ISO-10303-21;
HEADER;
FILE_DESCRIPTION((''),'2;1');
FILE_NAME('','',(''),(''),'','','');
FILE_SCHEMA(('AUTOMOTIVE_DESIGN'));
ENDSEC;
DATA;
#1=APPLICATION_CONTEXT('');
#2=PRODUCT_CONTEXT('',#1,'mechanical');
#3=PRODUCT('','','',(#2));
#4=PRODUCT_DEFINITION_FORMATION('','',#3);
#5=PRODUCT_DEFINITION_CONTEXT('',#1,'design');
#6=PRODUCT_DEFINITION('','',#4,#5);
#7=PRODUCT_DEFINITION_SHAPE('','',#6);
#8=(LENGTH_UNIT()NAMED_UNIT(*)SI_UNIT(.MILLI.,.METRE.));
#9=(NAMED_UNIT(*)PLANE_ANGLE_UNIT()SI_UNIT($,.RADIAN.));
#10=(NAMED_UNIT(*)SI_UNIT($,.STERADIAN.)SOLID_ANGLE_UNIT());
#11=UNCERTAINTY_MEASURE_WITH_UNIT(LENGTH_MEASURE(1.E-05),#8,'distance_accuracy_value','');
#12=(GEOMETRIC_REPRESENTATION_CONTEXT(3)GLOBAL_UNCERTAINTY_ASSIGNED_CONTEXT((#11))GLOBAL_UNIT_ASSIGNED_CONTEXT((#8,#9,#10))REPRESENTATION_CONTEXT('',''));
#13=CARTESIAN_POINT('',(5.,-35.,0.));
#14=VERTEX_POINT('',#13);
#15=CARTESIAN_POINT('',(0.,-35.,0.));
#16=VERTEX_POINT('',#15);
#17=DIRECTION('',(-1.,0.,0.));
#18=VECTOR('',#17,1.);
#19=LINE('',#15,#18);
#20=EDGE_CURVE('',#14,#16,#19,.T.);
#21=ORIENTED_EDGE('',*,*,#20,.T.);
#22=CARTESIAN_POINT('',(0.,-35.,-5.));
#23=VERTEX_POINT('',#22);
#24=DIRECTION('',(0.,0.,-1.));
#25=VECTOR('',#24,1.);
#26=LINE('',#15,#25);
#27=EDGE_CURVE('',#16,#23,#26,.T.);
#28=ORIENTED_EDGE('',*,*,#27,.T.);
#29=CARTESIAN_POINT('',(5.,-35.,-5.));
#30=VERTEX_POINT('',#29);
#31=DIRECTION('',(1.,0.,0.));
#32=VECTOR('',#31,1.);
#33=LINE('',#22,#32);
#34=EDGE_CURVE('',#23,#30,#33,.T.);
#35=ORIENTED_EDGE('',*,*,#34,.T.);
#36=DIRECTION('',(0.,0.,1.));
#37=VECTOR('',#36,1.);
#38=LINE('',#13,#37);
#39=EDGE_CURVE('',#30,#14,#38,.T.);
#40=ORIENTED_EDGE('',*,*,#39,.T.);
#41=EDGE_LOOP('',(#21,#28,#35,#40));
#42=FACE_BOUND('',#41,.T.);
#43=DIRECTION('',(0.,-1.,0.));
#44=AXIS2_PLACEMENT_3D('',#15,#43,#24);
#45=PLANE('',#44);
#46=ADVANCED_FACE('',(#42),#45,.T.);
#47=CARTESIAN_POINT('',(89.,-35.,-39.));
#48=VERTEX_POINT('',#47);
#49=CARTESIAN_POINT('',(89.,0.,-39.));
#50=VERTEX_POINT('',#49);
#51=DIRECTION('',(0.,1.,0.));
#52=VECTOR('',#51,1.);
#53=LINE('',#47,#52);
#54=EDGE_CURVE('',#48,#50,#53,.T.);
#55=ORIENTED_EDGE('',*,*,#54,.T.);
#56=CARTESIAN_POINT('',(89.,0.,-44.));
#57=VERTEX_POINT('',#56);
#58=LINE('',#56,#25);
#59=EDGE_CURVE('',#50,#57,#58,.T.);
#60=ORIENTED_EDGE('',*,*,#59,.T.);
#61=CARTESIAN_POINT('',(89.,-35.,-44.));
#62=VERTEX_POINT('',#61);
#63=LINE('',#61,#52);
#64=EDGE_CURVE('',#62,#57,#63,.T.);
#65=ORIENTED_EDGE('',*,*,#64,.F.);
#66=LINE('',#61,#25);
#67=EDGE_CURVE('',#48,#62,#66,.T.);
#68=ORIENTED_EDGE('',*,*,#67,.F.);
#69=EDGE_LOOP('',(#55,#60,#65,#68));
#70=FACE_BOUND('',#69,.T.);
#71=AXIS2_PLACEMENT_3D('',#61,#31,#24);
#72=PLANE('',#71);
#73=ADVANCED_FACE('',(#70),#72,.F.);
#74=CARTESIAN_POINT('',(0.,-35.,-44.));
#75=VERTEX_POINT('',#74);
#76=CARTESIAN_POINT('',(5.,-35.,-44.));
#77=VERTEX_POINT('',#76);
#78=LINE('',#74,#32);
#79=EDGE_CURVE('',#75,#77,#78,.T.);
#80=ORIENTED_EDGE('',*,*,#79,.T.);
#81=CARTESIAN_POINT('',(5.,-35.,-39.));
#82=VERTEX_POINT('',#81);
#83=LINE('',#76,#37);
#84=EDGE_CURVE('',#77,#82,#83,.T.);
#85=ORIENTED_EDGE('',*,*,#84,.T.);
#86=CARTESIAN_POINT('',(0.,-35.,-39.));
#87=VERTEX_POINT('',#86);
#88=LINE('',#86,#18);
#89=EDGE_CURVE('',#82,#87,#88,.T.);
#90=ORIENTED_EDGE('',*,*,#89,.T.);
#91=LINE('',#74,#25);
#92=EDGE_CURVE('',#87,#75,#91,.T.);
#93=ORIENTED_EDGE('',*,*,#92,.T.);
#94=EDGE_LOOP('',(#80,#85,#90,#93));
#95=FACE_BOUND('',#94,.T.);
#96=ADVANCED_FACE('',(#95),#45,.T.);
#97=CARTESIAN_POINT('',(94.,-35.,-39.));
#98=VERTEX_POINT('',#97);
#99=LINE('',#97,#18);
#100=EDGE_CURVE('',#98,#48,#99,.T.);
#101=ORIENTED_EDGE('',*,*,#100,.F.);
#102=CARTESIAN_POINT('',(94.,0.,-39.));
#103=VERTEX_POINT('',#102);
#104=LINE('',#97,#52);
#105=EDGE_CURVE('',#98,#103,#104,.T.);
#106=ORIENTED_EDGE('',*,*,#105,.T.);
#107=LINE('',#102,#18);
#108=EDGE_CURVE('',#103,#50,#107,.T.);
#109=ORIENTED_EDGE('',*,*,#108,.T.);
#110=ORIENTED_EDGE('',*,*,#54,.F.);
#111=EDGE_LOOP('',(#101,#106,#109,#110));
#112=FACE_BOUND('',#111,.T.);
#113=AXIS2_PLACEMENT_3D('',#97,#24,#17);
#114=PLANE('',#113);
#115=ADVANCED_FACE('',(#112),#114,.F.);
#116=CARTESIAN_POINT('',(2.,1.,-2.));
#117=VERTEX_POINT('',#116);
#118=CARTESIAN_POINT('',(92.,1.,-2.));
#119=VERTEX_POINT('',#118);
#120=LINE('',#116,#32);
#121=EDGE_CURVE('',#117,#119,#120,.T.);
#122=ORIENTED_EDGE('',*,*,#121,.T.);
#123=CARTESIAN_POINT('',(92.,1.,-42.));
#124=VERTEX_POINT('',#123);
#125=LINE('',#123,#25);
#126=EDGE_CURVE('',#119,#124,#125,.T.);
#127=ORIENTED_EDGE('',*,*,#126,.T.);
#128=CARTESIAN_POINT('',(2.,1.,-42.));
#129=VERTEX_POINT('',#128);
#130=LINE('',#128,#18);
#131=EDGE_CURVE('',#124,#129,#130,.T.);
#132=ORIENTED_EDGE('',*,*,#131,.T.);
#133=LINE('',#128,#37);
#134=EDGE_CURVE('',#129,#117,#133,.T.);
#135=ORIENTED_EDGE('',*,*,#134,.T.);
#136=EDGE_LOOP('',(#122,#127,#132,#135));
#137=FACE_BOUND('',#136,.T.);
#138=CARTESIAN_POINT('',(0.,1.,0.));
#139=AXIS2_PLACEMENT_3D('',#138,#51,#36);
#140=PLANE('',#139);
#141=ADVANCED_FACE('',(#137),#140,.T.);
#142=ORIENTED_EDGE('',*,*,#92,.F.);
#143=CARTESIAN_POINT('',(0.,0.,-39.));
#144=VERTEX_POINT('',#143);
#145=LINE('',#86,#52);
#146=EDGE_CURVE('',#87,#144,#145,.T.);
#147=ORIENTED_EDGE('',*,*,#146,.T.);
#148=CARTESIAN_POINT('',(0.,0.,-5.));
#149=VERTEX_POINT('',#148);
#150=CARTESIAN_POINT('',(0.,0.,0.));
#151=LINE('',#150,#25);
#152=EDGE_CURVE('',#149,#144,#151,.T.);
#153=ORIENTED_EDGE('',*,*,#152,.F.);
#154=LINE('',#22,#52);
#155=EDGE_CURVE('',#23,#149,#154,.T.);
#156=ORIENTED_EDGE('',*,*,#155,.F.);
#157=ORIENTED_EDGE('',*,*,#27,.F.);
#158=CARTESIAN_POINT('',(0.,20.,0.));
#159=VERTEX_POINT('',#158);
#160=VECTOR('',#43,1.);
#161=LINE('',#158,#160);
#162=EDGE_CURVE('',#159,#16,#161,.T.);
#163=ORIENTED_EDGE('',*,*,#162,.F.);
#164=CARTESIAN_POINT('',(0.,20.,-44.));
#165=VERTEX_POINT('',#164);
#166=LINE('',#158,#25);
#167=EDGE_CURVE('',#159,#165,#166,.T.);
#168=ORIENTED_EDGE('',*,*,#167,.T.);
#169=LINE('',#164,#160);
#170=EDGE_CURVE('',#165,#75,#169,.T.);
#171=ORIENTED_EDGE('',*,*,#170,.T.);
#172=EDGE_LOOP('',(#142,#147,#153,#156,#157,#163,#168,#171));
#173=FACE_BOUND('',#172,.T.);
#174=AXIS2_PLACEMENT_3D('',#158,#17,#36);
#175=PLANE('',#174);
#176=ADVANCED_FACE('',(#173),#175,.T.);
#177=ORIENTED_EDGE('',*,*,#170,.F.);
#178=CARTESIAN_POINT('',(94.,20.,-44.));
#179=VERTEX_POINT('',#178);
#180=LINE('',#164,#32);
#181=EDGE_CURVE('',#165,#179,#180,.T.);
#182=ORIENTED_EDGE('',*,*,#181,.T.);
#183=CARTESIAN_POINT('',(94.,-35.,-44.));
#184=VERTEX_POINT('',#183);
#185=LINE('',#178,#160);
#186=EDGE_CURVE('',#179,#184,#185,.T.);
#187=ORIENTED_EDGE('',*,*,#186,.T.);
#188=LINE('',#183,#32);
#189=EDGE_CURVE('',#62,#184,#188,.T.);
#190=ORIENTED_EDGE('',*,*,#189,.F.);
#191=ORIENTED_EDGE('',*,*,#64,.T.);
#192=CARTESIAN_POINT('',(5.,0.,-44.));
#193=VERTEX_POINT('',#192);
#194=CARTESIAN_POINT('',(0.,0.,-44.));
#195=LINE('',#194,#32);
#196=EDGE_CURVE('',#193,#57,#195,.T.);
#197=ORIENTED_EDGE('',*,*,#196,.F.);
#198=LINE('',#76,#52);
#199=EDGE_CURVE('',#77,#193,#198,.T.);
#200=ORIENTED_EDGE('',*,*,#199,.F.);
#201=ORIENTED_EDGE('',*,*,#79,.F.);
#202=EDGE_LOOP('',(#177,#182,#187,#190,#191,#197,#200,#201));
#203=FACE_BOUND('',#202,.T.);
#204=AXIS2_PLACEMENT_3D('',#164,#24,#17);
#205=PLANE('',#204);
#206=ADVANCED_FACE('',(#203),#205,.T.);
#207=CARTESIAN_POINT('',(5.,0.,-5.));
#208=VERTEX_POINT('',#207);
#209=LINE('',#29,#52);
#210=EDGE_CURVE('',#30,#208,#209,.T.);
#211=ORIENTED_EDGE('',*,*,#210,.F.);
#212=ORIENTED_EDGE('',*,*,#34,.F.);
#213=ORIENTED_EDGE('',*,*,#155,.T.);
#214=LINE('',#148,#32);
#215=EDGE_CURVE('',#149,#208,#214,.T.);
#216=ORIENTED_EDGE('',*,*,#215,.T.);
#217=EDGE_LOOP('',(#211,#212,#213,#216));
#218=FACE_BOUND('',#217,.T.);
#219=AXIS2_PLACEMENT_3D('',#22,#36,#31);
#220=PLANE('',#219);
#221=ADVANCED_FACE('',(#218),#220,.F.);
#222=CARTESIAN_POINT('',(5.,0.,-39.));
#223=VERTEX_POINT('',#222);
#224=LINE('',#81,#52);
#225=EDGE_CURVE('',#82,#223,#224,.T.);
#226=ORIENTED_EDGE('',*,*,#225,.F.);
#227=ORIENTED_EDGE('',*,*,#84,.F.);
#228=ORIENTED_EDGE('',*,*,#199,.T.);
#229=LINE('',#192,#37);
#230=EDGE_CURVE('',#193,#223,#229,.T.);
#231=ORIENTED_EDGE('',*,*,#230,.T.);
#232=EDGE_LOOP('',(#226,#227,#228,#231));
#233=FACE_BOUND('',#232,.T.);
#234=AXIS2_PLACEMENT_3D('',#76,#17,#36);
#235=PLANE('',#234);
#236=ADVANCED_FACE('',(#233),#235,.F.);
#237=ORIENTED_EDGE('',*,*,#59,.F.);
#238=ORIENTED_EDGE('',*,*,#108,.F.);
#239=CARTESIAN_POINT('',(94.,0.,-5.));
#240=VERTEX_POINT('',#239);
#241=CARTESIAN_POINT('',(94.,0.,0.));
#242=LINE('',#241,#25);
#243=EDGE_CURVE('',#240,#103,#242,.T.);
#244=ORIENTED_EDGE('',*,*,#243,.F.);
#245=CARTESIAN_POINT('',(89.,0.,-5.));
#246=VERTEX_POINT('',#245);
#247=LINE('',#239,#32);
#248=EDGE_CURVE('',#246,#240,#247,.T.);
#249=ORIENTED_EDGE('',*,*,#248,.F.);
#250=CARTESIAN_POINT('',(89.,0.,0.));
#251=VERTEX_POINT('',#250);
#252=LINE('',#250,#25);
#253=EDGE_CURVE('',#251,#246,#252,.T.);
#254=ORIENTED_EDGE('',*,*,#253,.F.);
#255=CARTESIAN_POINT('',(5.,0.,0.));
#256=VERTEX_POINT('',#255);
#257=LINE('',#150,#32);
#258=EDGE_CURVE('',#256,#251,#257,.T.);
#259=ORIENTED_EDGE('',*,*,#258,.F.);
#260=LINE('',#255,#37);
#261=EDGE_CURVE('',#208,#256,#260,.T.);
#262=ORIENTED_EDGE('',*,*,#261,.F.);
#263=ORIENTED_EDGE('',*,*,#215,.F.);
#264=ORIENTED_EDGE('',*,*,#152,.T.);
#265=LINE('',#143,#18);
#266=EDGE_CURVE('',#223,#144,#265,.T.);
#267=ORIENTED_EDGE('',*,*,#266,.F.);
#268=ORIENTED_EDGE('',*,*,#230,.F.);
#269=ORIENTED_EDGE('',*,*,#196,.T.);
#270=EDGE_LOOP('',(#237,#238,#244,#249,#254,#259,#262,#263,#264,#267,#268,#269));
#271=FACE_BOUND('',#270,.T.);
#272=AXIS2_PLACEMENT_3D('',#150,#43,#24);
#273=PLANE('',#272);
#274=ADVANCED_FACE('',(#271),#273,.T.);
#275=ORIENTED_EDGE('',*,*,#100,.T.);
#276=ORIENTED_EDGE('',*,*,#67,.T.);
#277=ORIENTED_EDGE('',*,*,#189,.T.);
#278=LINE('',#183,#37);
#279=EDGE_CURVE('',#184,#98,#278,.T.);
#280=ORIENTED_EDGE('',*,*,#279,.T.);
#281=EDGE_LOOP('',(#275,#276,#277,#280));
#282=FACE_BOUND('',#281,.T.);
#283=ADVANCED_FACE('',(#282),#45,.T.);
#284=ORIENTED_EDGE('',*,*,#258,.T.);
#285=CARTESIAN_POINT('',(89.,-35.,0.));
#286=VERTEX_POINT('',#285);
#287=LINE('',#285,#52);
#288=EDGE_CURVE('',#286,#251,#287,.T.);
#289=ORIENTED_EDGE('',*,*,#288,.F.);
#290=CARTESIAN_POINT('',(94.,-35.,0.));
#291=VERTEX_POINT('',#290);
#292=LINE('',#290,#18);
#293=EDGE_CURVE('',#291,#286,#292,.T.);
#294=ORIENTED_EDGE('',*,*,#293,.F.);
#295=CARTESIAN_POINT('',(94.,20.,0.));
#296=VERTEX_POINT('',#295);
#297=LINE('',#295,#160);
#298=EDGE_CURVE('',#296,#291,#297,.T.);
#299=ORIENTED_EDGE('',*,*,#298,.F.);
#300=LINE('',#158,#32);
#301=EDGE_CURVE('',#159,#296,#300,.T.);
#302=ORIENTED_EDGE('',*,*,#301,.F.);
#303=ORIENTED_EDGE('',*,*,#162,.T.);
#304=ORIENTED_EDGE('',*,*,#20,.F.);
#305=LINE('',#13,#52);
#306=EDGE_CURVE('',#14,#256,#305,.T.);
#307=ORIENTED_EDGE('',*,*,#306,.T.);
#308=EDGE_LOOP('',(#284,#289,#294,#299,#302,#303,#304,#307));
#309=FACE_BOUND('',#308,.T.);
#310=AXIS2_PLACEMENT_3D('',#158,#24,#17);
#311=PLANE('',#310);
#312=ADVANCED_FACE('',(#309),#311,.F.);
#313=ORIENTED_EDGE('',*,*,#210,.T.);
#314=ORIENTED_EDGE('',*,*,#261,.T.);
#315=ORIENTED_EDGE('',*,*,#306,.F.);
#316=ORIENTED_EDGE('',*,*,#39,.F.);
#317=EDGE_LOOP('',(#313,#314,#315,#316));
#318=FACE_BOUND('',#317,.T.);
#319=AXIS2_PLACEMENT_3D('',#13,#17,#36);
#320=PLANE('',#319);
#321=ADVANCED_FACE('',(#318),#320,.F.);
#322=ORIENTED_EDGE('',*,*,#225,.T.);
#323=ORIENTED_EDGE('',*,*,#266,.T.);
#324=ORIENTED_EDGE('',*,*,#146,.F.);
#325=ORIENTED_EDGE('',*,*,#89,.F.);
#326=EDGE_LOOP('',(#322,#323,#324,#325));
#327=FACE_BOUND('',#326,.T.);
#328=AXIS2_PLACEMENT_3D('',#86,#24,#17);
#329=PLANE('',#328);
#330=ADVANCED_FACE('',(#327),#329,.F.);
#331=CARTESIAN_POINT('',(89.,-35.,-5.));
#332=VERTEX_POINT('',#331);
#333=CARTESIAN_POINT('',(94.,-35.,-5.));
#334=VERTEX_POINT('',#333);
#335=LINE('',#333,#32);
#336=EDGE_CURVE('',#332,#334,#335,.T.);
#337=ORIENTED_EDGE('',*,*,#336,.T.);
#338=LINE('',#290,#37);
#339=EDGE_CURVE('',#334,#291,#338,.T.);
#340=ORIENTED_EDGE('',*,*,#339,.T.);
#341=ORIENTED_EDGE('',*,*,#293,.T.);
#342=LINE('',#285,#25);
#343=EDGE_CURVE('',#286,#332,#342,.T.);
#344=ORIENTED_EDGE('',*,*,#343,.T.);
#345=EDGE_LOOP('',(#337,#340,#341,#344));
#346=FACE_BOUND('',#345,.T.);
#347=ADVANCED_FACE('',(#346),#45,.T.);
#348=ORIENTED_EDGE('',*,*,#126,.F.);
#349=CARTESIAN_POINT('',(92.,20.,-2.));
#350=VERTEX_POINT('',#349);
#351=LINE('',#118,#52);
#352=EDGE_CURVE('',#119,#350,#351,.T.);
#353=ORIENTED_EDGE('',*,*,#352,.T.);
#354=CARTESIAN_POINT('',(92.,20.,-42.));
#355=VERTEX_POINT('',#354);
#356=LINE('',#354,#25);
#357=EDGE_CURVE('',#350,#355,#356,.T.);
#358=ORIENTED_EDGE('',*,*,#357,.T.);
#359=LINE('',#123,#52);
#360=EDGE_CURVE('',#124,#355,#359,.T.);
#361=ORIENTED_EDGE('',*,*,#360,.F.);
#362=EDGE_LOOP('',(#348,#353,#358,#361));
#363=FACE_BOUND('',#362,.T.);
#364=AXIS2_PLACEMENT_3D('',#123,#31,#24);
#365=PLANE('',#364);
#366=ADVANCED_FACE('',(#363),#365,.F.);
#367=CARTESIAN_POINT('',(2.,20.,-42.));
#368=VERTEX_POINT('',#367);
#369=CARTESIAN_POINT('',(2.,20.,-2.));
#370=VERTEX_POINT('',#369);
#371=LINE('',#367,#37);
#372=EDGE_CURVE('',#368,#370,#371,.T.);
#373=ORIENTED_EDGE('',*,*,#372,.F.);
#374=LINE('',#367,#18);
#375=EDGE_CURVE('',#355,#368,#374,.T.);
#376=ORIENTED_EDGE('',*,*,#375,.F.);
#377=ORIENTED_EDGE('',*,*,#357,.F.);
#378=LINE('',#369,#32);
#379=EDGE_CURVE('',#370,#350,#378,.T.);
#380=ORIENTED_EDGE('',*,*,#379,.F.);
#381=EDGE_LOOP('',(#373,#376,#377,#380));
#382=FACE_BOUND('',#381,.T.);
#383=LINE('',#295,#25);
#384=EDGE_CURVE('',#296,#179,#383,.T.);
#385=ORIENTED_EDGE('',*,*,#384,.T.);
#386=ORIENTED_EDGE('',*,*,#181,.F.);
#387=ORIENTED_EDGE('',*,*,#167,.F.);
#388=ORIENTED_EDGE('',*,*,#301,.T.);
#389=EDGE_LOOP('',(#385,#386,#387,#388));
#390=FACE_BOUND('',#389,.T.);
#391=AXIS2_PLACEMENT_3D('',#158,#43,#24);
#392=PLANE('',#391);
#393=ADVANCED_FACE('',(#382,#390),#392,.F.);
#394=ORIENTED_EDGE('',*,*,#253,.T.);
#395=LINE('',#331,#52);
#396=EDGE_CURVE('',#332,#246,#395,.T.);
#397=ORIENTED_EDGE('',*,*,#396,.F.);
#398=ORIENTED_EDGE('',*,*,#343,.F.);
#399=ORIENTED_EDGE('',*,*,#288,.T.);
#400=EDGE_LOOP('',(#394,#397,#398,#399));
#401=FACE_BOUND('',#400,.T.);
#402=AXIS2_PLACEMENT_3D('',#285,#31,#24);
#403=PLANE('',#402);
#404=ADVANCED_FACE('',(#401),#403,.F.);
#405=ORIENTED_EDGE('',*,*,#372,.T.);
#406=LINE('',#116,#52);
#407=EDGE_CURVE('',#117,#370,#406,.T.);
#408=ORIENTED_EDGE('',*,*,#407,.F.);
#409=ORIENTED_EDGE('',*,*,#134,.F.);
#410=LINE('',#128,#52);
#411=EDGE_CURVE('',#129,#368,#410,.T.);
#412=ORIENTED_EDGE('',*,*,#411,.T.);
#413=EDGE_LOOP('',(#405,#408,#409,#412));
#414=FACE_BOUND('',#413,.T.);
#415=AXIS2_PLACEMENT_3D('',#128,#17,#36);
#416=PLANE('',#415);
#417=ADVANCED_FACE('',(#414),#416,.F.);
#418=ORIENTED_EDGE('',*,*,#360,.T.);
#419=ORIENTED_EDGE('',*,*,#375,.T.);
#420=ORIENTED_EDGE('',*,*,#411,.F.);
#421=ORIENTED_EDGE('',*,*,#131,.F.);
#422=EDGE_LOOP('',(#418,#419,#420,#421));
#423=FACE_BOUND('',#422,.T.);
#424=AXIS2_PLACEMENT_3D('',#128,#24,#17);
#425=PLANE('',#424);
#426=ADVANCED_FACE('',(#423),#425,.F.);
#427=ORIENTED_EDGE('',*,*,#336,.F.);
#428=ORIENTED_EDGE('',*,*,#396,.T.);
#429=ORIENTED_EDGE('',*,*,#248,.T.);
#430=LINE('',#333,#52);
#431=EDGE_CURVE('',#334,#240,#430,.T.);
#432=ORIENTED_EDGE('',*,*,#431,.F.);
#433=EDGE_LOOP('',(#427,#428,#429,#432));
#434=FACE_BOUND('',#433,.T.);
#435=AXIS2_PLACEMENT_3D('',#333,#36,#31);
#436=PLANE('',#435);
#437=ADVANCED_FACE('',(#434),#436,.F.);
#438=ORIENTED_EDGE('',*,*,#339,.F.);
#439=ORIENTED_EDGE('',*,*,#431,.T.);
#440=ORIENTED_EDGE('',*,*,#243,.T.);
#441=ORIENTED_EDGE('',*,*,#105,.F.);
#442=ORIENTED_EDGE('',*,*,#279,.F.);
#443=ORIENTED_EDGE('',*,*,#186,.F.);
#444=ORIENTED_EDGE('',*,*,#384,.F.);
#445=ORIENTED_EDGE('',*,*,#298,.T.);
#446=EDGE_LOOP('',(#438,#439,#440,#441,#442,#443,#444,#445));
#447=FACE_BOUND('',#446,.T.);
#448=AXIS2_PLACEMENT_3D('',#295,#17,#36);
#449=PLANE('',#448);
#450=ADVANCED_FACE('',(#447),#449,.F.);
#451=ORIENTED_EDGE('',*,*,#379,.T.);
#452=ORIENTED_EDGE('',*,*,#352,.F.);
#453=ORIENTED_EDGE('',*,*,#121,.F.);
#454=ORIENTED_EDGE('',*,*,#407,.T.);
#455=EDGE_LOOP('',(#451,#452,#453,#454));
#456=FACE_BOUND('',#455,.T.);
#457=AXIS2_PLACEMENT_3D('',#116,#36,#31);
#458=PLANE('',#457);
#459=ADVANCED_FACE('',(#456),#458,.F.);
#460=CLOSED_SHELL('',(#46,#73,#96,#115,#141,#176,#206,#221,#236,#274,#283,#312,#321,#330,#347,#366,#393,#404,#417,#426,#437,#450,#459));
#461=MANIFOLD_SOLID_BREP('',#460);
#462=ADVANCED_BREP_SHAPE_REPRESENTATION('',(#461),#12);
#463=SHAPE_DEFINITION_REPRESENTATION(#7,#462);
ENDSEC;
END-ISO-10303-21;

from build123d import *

# Parameters (mm, degrees)
SKETCH_1_W          = 94
SKETCH_1_H          = 44
EXTRUDE_2_DEPTH     = 20
SKETCH_2_W          = 90
SKETCH_2_H          = 40
CUT_EXTRUDE_1_DEPTH = 19
SKETCH_3_W          = 5
SKETCH_3_H          = 5
EXTRUDE_3_DEPTH     = 35


with BuildPart() as part:
    # 草图1 → 凸台-拉伸2 (new body)
    with BuildSketch(Plane(origin=(0, 0, 0), x_dir=(1, 0, 0), z_dir=(0, 1, 0))):
        with Locations((47, 22)):
            Rectangle(SKETCH_1_W, SKETCH_1_H)
    extrude(amount=EXTRUDE_2_DEPTH)

    # 草图2 → 切除-拉伸1 (cut)
    with BuildSketch(Plane(origin=(0, 20, 0), x_dir=(1, 0, 0), z_dir=(0, 1, 0))):
        with Locations((47, 22)):
            Rectangle(SKETCH_2_W, SKETCH_2_H)
    extrude(amount=-CUT_EXTRUDE_1_DEPTH, mode=Mode.SUBTRACT)

    # 草图3 → 凸台-拉伸3 (add)
    with BuildSketch(Plane.XZ):
        with Locations((2.5, -2.5)):
            Rectangle(SKETCH_3_W, SKETCH_3_H)
        with Locations((91.5, -2.5)):
            Rectangle(SKETCH_3_W, SKETCH_3_H)
        with Locations((91.5, -41.5)):
            Rectangle(SKETCH_3_W, SKETCH_3_H)
        with Locations((2.5, -41.5)):
            Rectangle(SKETCH_3_W, SKETCH_3_H)
    extrude(amount=EXTRUDE_3_DEPTH)


solid = part.part
